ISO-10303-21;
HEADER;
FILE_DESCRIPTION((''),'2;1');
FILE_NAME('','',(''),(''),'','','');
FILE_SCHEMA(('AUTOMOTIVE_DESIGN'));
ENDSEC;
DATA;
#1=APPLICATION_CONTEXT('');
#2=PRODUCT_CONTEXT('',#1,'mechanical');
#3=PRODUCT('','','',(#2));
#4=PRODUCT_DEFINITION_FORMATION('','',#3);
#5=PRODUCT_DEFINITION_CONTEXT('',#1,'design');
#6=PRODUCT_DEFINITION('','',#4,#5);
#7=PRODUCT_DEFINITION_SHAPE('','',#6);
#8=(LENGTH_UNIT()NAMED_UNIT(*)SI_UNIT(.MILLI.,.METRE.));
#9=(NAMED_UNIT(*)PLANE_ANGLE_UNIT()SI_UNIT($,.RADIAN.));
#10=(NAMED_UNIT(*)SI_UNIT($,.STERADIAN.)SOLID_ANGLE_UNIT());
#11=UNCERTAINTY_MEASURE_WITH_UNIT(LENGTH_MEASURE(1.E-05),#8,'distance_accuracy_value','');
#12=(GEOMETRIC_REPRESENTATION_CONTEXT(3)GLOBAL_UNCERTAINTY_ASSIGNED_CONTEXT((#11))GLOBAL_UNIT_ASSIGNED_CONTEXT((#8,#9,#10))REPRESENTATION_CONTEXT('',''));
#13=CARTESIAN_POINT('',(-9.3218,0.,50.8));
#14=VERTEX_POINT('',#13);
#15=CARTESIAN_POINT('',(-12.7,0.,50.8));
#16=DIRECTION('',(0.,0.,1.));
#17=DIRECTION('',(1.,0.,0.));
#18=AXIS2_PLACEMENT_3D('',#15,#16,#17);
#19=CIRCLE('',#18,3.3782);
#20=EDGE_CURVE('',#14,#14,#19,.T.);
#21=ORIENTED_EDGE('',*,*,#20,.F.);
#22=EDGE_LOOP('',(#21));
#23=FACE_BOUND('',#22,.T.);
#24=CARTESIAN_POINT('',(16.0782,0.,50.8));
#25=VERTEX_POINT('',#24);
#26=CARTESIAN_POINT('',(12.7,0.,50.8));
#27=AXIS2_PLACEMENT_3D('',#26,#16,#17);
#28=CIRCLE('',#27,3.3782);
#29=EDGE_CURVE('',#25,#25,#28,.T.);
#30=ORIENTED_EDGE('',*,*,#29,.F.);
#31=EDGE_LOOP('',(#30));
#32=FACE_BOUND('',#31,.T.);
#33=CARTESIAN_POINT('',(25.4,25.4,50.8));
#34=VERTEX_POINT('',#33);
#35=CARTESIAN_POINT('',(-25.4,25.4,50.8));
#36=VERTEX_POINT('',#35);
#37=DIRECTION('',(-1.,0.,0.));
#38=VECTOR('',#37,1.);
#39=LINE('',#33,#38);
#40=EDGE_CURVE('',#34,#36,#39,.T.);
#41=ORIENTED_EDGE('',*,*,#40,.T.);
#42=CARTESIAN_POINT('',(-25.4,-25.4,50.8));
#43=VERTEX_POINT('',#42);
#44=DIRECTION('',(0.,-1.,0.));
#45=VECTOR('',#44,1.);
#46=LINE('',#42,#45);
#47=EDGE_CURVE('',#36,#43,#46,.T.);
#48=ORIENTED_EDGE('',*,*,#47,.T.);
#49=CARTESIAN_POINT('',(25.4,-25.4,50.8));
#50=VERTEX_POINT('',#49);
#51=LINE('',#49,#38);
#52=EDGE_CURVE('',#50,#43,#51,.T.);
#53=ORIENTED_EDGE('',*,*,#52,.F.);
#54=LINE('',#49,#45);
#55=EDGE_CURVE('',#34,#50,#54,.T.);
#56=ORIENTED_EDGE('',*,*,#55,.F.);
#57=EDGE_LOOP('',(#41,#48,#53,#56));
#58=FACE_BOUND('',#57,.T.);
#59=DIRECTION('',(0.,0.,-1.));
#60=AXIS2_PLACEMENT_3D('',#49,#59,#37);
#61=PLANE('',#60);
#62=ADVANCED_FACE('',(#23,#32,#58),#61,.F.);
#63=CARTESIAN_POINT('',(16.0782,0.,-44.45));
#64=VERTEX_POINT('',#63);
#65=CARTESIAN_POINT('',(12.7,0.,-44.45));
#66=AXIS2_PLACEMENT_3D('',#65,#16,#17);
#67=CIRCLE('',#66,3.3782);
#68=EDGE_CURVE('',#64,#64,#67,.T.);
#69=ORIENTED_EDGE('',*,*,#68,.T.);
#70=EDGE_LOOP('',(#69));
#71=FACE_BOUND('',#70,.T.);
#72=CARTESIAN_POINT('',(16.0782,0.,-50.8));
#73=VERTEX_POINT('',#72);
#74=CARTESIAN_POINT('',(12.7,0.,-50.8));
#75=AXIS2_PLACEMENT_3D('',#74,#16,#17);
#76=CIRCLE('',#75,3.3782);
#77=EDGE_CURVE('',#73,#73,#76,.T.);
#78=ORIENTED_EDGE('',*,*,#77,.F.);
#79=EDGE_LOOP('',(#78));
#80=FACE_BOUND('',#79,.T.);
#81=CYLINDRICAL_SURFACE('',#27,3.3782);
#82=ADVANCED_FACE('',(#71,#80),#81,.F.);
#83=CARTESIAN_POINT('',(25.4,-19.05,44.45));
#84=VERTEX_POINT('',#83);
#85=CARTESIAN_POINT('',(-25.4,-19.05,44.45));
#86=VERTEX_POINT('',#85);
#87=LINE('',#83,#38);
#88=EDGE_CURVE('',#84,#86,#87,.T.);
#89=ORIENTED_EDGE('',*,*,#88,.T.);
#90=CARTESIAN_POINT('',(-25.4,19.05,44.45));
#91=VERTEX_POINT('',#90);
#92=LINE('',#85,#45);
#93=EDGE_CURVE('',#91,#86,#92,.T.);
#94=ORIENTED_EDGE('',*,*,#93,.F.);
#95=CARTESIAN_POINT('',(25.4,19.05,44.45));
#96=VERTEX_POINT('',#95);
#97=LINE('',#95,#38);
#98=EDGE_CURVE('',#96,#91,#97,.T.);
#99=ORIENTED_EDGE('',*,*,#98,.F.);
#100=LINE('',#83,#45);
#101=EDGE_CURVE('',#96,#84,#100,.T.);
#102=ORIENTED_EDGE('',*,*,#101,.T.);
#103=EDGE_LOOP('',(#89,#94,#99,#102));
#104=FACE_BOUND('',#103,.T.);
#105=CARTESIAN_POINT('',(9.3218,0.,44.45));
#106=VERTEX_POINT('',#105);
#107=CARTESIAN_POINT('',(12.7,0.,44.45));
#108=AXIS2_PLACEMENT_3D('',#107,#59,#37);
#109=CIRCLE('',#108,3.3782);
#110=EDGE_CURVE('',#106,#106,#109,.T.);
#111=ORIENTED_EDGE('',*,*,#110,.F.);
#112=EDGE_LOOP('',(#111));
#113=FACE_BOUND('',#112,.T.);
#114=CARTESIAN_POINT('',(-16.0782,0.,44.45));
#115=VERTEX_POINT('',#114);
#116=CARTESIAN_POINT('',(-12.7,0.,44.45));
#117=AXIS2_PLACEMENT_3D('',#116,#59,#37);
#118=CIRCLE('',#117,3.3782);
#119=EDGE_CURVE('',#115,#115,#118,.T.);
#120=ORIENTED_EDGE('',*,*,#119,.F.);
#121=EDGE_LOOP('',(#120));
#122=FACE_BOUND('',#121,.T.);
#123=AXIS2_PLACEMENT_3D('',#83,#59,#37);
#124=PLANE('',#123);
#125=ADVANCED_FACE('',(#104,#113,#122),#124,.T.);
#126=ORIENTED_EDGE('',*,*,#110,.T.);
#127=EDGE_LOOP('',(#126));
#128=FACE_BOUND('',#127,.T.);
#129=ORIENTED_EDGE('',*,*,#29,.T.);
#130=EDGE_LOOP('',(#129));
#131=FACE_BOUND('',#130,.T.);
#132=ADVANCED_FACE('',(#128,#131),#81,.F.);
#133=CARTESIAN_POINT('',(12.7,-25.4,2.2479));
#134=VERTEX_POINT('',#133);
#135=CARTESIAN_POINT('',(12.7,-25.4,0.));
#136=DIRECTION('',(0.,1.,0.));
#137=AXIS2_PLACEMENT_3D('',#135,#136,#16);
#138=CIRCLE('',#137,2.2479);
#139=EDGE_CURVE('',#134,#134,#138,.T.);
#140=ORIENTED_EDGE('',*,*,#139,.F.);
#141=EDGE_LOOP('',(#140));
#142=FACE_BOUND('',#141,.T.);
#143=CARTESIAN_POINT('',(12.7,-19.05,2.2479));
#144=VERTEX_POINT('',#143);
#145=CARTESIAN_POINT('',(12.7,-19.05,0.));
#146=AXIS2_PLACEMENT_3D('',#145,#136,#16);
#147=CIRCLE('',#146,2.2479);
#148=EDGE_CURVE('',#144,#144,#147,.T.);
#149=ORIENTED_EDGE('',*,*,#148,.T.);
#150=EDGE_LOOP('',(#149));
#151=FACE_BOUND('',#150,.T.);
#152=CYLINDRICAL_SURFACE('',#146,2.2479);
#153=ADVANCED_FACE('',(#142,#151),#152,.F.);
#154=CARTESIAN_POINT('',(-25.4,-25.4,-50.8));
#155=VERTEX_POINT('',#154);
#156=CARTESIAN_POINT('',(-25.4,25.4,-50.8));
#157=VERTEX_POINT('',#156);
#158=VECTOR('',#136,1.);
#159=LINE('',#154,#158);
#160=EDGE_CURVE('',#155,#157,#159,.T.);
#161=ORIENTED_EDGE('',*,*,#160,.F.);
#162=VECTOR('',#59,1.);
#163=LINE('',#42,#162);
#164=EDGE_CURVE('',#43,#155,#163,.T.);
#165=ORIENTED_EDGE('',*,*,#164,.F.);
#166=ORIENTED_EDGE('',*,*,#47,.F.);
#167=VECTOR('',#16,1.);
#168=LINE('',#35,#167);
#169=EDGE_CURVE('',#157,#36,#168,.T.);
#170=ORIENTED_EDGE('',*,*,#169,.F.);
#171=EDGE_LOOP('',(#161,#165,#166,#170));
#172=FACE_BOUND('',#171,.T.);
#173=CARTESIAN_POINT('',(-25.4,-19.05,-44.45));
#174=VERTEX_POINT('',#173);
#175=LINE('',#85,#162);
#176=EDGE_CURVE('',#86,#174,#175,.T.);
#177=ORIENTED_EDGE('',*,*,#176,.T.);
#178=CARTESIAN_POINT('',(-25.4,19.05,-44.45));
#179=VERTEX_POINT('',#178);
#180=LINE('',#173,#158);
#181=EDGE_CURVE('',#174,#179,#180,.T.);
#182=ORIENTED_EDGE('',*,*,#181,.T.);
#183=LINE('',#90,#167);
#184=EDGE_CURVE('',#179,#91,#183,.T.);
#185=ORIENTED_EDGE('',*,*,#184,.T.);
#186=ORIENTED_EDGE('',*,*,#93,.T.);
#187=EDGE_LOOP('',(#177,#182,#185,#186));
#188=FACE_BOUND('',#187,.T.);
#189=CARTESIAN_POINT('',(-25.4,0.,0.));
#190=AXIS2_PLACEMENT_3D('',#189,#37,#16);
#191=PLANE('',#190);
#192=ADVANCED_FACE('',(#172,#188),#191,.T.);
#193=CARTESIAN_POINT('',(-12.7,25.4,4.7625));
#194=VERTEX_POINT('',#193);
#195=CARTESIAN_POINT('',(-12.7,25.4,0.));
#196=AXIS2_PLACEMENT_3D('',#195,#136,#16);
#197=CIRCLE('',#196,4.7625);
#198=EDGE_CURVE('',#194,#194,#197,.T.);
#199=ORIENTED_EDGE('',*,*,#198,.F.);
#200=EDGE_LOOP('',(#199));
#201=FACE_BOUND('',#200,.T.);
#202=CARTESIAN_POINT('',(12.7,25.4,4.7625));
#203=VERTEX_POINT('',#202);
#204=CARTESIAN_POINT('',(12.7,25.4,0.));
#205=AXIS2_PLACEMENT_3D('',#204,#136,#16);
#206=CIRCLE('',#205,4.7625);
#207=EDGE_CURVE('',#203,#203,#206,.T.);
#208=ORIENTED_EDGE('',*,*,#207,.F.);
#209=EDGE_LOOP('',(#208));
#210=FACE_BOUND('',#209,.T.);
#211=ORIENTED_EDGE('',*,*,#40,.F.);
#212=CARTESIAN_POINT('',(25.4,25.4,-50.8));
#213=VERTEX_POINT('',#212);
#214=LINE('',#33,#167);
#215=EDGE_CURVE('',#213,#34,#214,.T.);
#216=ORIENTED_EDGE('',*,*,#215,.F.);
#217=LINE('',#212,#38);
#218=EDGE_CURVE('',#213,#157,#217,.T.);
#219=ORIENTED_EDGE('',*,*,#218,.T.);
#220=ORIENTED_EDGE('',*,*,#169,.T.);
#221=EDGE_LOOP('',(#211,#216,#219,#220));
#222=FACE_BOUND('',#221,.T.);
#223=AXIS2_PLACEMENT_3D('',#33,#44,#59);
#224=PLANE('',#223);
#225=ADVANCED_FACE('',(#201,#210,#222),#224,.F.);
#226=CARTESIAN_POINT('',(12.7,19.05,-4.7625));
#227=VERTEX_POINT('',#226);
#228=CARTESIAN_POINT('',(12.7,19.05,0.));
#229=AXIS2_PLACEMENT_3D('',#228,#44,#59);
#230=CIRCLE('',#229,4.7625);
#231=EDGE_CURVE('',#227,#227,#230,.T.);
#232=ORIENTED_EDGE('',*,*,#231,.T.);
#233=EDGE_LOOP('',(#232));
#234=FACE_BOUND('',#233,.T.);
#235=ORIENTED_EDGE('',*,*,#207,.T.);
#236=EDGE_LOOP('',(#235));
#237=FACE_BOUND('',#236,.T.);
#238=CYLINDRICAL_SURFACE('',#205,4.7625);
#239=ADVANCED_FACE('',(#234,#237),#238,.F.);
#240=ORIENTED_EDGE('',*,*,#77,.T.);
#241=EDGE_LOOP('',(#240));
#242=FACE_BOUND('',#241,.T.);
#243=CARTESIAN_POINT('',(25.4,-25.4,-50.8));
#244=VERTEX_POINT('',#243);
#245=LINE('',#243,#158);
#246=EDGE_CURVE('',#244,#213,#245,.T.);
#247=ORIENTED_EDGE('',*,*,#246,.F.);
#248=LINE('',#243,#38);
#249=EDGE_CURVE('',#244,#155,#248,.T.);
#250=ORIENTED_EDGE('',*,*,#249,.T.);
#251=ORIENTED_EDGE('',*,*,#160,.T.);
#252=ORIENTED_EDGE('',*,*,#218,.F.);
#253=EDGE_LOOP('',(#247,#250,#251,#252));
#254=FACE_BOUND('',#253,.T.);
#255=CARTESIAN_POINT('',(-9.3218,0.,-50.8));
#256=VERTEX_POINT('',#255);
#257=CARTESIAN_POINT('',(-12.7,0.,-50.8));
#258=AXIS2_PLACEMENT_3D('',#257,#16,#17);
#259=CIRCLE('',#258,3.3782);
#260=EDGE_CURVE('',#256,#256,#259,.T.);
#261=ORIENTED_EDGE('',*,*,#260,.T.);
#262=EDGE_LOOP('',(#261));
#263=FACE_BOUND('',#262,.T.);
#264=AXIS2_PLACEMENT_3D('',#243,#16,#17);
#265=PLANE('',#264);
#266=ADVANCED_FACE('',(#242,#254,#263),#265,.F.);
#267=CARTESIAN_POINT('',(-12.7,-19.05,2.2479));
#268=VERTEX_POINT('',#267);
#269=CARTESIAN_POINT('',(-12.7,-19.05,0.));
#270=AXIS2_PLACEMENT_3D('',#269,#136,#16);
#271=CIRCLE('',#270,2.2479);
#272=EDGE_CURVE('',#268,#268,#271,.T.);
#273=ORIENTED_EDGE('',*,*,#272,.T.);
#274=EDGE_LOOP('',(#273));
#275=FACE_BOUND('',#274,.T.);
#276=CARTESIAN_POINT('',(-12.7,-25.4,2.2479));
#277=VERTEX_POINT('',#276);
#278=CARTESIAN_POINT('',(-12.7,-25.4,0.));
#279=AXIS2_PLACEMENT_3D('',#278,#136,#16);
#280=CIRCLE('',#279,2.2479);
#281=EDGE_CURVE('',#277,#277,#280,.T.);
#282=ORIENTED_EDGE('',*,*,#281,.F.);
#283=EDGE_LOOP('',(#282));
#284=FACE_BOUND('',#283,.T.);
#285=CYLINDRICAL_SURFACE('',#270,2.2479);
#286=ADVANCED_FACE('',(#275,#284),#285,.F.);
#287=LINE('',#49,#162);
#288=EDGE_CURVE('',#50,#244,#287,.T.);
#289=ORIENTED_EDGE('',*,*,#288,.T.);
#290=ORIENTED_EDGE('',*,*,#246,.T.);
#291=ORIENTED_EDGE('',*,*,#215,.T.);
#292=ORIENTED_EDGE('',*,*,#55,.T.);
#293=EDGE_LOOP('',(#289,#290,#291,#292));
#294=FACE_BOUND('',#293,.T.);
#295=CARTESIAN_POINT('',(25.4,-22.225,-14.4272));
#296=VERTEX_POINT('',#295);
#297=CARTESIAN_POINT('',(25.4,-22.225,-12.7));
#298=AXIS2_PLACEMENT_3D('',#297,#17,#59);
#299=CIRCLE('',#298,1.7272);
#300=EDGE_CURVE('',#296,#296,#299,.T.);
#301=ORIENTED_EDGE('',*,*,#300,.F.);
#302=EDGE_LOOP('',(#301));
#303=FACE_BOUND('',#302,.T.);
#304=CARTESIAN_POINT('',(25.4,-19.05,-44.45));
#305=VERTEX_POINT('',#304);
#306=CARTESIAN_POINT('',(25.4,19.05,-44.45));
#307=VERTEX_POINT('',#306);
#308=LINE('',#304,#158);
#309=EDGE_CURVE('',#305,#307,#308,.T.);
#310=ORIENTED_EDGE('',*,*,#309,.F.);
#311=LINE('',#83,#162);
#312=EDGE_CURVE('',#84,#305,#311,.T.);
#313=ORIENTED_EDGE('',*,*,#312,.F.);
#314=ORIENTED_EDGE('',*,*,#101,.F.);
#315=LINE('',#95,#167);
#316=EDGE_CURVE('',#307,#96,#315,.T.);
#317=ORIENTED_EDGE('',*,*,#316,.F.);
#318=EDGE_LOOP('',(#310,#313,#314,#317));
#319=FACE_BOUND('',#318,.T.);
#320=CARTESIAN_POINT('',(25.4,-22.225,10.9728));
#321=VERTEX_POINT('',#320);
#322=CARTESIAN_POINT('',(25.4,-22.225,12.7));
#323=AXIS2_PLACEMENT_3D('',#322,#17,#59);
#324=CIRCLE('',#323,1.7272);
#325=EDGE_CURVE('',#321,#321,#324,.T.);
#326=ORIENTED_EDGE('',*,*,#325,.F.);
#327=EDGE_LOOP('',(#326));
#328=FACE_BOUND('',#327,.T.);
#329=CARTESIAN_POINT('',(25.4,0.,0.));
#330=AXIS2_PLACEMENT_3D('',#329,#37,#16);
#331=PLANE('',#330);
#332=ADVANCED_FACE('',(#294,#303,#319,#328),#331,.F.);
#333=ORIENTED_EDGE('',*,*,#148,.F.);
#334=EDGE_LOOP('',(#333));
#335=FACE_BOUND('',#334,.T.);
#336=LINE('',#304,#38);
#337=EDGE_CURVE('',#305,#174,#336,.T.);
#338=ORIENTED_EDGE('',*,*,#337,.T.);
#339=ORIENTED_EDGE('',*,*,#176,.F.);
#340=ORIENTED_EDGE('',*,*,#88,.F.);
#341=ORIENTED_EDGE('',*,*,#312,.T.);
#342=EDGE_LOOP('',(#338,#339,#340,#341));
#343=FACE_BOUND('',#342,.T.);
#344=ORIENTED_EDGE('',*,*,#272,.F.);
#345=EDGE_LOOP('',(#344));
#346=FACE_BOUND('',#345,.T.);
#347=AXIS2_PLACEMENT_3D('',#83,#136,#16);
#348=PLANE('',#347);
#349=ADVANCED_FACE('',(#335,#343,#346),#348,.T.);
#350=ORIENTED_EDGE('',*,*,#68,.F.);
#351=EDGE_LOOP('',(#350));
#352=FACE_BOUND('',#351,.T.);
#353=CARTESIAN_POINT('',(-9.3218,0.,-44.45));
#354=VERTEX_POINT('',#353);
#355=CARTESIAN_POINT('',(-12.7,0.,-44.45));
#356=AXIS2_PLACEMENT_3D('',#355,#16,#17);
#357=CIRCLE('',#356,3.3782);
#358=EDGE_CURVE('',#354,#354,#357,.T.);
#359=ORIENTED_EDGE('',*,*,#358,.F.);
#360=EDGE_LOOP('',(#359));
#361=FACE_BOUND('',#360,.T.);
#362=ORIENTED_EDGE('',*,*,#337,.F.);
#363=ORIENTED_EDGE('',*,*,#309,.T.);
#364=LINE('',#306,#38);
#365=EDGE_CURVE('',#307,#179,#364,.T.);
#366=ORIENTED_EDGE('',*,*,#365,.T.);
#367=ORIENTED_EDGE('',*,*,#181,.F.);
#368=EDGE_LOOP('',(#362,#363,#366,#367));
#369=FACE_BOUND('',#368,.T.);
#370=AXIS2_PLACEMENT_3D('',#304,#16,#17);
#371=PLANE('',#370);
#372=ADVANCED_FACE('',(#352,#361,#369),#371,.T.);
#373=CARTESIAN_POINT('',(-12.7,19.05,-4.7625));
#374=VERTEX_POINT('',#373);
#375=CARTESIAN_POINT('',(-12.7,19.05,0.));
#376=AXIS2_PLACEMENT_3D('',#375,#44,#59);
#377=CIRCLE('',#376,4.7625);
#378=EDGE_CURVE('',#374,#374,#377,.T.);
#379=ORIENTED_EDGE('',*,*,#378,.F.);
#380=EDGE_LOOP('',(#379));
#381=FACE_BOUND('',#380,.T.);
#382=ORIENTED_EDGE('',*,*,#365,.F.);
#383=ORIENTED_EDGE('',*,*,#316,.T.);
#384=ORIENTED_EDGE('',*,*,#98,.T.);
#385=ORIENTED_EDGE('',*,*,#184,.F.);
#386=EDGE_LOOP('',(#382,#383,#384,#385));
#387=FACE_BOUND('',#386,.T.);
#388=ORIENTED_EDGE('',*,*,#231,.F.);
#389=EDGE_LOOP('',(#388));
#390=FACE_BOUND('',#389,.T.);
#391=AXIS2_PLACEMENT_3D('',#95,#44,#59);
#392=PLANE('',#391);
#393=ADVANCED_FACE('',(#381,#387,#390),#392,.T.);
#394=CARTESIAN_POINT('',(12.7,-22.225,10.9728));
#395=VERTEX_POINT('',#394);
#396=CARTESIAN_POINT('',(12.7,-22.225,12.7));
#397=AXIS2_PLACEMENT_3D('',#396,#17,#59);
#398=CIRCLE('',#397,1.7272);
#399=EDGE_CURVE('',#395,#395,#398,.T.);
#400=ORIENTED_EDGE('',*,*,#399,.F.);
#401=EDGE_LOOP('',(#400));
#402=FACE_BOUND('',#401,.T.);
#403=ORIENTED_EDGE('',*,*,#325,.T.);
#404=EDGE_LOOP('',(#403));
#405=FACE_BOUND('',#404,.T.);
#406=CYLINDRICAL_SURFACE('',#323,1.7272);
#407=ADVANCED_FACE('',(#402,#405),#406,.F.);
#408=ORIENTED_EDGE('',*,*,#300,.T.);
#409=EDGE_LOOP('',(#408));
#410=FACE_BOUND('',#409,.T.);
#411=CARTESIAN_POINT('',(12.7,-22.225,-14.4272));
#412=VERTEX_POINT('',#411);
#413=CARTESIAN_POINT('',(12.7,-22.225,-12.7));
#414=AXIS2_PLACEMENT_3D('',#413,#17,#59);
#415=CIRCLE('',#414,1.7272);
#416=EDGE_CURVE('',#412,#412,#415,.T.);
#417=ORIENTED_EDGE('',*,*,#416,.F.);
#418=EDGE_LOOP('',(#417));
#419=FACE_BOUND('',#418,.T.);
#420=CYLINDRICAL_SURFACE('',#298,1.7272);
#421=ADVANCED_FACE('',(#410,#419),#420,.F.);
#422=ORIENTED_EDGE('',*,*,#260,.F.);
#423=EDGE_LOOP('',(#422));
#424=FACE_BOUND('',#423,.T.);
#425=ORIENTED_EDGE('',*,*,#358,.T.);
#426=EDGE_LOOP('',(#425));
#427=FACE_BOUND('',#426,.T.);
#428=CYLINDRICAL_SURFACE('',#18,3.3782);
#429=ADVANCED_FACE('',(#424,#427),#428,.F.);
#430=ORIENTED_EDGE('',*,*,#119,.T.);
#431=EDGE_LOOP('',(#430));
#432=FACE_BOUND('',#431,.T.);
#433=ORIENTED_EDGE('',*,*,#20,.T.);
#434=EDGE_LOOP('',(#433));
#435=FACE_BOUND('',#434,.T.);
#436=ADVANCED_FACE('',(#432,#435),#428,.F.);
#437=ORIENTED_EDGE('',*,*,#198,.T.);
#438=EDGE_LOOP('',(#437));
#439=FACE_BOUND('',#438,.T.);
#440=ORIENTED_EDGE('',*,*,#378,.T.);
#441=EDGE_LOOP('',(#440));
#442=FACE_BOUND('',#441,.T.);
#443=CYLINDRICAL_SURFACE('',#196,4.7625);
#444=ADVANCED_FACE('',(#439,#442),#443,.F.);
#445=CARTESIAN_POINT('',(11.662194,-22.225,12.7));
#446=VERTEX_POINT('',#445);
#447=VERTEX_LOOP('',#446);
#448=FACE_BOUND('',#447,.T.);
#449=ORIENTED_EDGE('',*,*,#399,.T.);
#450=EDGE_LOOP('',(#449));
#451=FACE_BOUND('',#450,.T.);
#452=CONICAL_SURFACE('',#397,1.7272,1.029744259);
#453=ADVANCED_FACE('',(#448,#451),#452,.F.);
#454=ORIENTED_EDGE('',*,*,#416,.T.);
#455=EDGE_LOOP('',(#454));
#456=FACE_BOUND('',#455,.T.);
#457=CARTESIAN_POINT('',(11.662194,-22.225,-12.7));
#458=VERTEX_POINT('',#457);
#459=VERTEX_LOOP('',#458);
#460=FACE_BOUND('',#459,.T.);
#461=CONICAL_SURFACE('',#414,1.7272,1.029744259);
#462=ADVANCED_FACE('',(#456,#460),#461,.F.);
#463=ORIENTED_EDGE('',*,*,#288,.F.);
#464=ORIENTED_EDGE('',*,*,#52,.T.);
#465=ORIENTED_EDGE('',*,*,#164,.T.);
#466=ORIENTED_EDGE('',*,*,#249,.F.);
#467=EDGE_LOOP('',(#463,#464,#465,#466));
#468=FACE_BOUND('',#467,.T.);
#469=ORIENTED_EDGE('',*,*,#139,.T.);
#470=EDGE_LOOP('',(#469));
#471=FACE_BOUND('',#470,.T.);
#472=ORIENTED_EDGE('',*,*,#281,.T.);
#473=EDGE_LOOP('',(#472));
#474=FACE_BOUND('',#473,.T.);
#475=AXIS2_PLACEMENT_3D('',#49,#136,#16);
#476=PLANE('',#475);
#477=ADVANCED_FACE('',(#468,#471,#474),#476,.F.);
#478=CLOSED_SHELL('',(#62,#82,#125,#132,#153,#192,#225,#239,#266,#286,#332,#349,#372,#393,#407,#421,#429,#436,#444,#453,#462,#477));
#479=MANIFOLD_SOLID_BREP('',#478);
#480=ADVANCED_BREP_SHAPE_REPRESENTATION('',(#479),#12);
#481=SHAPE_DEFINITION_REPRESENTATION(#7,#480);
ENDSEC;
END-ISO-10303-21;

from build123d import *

# Parameters (mm, degrees)
SKETCH2_W                        = 101.6
SKETCH2_H                        = 50.8
SKETCH2_W_2                      = 88.9
SKETCH2_H_2                      = 38.1
BOSS_EXTRUDE1_DEPTH              = 25.4
F_1_4_CLEARANCE_HOLE1_D          = 6.7564
F_8_CLEARANCE_HOLE1_D            = 4.4958
F_8_CLEARANCE_HOLE1_DEPTH        = 6.35
F_3_8_0_375_DIAMETER_HOLE1_D     = 9.525
F_3_8_0_375_DIAMETER_HOLE1_DEPTH = 6.35
F_8_32_TAPPED_HOLE1_D            = 3.4544
F_8_32_TAPPED_HOLE1_DEPTH        = 12.7
F_8_32_TAPPED_HOLE1_TIP          = 1.037806461


with BuildPart() as part:
    # Sketch2 → Boss-Extrude1 (new body, symmetric)
    with BuildSketch(Plane(origin=(0, 0, 0), x_dir=(0, 0, -1), z_dir=(1, 0, 0))):
        Rectangle(SKETCH2_W, SKETCH2_H)
        Rectangle(SKETCH2_W_2, SKETCH2_H_2, mode=Mode.SUBTRACT)
    extrude(amount=BOSS_EXTRUDE1_DEPTH, both=True)

    # 1/4 Clearance Hole1 (through all)
    with Locations(Plane.XY.offset(50.8)):
        with Locations((-12.7, 0), (12.7, 0)):
            Hole(F_1_4_CLEARANCE_HOLE1_D / 2)

    # #8 Clearance Hole1
    with Locations(Plane(origin=(0, -19.05, 0), x_dir=(1, 0, 0), z_dir=(0, 1, 0))):
        with Locations((12.7, 0)):
            f_8_clearance_hole1 = Hole(F_8_CLEARANCE_HOLE1_D / 2, depth=F_8_CLEARANCE_HOLE1_DEPTH)

    # Mirror1: #8 Clearance Hole1 across plane
    add(f_8_clearance_hole1.mirror(Plane(origin=(0, 0, 0), x_dir=(0, 0, 1), z_dir=(1, 0, 0))), mode=Mode.SUBTRACT)

    # 3/8 (0.375) Diameter Hole1
    with Locations(Plane(origin=(0, 25.4, 0), x_dir=(1, 0, 0), z_dir=(0, 1, 0))):
        with Locations((-12.7, 0), (12.7, 0)):
            Hole(F_3_8_0_375_DIAMETER_HOLE1_D / 2, depth=F_3_8_0_375_DIAMETER_HOLE1_DEPTH)

    # #8-32 Tapped Hole1
    with Locations(Plane(origin=(25.4, 0, 0), x_dir=(0, 0, 1), z_dir=(1, 0, 0))):
        with Locations((-12.7, 22.225), (12.7, 22.225)):
            Hole(F_8_32_TAPPED_HOLE1_D / 2, depth=F_8_32_TAPPED_HOLE1_DEPTH)
            with Locations((0, 0, -(F_8_32_TAPPED_HOLE1_DEPTH + F_8_32_TAPPED_HOLE1_TIP / 2))):  # 118° drill point
                Cone(0, F_8_32_TAPPED_HOLE1_D / 2, F_8_32_TAPPED_HOLE1_TIP, mode=Mode.SUBTRACT)


solid = part.part
